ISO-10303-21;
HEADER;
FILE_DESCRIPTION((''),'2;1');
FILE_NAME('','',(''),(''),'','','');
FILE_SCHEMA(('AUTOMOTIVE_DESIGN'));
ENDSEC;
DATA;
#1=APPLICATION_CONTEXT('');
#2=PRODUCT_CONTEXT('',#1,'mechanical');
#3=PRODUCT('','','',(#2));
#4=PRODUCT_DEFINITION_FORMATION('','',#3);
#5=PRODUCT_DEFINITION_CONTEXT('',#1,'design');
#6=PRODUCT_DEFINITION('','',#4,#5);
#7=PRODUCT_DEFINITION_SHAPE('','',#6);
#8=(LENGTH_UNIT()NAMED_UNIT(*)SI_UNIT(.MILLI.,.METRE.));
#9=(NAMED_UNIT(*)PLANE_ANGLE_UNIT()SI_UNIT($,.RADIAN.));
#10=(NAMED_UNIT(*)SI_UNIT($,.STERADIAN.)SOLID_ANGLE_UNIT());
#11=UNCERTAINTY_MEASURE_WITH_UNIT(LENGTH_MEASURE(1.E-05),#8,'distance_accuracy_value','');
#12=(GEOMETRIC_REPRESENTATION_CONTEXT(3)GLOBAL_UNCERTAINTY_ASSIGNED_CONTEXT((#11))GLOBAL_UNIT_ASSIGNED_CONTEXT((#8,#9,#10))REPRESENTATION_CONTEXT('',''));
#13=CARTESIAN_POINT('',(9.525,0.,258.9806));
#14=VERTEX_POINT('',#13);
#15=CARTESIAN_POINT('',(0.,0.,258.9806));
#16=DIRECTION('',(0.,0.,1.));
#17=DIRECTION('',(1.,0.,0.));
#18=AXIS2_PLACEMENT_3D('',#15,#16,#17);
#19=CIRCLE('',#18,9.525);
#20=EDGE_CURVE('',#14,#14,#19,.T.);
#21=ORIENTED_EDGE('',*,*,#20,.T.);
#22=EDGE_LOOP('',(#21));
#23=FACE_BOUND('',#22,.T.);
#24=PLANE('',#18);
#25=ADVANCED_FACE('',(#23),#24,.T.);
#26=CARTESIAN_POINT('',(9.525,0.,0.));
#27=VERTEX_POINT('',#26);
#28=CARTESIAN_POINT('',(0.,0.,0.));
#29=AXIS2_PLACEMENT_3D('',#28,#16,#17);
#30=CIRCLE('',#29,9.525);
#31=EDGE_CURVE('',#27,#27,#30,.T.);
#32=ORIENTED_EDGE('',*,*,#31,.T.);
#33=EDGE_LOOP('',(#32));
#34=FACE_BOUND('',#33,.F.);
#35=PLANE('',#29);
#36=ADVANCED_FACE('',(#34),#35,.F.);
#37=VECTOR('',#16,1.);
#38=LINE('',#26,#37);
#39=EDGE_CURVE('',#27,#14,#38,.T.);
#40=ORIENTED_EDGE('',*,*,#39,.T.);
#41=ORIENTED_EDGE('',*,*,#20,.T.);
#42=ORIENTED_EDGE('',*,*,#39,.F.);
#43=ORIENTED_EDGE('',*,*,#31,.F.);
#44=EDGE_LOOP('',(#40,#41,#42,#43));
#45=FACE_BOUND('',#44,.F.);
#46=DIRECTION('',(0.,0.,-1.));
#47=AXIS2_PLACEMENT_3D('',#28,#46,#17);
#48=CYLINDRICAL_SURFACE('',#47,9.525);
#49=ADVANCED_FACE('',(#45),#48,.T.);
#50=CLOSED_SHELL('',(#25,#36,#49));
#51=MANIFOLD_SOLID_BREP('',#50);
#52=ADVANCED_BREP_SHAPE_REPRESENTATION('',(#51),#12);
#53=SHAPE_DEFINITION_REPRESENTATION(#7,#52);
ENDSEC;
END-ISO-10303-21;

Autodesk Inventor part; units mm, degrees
ref_plane "YZ Plane" through (0, 0, 0) normal (1, 0, 0) x (0, 1, 0)
ref_plane "Start Plane" through (0, 0, 0) normal (0, 0, 1) x (1, 0, 0)
ref_plane "End Plane" through (0, 0, 258.9806) normal (0, 0, 1) x (1, 0, 0)
sketch "Sketch" plane through (0, 0, 0) normal (0, 0, 1) x (1, 0, 0)
  circle A0 centre (0, 0) radius 9.525
  dimension "d0" = 19.05
extrude "Body" add sketch "Sketch" along normal up to surface (258.9806 mm away) from surface at 0
sketch "Sketch2" plane through (0, 0, 0) normal (0, 0, 1) x (1, 0, 0)
  line L0 (0, 0) -> (10, 0)
ref_plane "Work Plane3" through (0, 0, 0) normal (0, -1, 0) x (1, 0, 0)
sketch "Sketch3" plane through (0, 0, 0) normal (0, -1, 0) x (1, 0, 0)
  line L0 (-2, 0) -> (12, 0) projected
  line L1 (-2, 258.9806) -> (12, 258.9806) projected
  dimension "d7" = 258.9806
equation "\"d0\" = Diam"
equation "\"d1\" = G_L"
equation "\"Diam\" = 19.05"
equation "\"G_L\" = d7"
equation "\"G_OFFSET_START\" = 0"
equation "\"G_OFFSET_END\" = 0"
equation "\"d5\" = G_OFFSET_END + B_L"
equation "\"B_L\" = 258.98058"
properties part number "ANSI/AISC Rolled Steel - 3/4-10.196, RB" material "Steel, Mild"
